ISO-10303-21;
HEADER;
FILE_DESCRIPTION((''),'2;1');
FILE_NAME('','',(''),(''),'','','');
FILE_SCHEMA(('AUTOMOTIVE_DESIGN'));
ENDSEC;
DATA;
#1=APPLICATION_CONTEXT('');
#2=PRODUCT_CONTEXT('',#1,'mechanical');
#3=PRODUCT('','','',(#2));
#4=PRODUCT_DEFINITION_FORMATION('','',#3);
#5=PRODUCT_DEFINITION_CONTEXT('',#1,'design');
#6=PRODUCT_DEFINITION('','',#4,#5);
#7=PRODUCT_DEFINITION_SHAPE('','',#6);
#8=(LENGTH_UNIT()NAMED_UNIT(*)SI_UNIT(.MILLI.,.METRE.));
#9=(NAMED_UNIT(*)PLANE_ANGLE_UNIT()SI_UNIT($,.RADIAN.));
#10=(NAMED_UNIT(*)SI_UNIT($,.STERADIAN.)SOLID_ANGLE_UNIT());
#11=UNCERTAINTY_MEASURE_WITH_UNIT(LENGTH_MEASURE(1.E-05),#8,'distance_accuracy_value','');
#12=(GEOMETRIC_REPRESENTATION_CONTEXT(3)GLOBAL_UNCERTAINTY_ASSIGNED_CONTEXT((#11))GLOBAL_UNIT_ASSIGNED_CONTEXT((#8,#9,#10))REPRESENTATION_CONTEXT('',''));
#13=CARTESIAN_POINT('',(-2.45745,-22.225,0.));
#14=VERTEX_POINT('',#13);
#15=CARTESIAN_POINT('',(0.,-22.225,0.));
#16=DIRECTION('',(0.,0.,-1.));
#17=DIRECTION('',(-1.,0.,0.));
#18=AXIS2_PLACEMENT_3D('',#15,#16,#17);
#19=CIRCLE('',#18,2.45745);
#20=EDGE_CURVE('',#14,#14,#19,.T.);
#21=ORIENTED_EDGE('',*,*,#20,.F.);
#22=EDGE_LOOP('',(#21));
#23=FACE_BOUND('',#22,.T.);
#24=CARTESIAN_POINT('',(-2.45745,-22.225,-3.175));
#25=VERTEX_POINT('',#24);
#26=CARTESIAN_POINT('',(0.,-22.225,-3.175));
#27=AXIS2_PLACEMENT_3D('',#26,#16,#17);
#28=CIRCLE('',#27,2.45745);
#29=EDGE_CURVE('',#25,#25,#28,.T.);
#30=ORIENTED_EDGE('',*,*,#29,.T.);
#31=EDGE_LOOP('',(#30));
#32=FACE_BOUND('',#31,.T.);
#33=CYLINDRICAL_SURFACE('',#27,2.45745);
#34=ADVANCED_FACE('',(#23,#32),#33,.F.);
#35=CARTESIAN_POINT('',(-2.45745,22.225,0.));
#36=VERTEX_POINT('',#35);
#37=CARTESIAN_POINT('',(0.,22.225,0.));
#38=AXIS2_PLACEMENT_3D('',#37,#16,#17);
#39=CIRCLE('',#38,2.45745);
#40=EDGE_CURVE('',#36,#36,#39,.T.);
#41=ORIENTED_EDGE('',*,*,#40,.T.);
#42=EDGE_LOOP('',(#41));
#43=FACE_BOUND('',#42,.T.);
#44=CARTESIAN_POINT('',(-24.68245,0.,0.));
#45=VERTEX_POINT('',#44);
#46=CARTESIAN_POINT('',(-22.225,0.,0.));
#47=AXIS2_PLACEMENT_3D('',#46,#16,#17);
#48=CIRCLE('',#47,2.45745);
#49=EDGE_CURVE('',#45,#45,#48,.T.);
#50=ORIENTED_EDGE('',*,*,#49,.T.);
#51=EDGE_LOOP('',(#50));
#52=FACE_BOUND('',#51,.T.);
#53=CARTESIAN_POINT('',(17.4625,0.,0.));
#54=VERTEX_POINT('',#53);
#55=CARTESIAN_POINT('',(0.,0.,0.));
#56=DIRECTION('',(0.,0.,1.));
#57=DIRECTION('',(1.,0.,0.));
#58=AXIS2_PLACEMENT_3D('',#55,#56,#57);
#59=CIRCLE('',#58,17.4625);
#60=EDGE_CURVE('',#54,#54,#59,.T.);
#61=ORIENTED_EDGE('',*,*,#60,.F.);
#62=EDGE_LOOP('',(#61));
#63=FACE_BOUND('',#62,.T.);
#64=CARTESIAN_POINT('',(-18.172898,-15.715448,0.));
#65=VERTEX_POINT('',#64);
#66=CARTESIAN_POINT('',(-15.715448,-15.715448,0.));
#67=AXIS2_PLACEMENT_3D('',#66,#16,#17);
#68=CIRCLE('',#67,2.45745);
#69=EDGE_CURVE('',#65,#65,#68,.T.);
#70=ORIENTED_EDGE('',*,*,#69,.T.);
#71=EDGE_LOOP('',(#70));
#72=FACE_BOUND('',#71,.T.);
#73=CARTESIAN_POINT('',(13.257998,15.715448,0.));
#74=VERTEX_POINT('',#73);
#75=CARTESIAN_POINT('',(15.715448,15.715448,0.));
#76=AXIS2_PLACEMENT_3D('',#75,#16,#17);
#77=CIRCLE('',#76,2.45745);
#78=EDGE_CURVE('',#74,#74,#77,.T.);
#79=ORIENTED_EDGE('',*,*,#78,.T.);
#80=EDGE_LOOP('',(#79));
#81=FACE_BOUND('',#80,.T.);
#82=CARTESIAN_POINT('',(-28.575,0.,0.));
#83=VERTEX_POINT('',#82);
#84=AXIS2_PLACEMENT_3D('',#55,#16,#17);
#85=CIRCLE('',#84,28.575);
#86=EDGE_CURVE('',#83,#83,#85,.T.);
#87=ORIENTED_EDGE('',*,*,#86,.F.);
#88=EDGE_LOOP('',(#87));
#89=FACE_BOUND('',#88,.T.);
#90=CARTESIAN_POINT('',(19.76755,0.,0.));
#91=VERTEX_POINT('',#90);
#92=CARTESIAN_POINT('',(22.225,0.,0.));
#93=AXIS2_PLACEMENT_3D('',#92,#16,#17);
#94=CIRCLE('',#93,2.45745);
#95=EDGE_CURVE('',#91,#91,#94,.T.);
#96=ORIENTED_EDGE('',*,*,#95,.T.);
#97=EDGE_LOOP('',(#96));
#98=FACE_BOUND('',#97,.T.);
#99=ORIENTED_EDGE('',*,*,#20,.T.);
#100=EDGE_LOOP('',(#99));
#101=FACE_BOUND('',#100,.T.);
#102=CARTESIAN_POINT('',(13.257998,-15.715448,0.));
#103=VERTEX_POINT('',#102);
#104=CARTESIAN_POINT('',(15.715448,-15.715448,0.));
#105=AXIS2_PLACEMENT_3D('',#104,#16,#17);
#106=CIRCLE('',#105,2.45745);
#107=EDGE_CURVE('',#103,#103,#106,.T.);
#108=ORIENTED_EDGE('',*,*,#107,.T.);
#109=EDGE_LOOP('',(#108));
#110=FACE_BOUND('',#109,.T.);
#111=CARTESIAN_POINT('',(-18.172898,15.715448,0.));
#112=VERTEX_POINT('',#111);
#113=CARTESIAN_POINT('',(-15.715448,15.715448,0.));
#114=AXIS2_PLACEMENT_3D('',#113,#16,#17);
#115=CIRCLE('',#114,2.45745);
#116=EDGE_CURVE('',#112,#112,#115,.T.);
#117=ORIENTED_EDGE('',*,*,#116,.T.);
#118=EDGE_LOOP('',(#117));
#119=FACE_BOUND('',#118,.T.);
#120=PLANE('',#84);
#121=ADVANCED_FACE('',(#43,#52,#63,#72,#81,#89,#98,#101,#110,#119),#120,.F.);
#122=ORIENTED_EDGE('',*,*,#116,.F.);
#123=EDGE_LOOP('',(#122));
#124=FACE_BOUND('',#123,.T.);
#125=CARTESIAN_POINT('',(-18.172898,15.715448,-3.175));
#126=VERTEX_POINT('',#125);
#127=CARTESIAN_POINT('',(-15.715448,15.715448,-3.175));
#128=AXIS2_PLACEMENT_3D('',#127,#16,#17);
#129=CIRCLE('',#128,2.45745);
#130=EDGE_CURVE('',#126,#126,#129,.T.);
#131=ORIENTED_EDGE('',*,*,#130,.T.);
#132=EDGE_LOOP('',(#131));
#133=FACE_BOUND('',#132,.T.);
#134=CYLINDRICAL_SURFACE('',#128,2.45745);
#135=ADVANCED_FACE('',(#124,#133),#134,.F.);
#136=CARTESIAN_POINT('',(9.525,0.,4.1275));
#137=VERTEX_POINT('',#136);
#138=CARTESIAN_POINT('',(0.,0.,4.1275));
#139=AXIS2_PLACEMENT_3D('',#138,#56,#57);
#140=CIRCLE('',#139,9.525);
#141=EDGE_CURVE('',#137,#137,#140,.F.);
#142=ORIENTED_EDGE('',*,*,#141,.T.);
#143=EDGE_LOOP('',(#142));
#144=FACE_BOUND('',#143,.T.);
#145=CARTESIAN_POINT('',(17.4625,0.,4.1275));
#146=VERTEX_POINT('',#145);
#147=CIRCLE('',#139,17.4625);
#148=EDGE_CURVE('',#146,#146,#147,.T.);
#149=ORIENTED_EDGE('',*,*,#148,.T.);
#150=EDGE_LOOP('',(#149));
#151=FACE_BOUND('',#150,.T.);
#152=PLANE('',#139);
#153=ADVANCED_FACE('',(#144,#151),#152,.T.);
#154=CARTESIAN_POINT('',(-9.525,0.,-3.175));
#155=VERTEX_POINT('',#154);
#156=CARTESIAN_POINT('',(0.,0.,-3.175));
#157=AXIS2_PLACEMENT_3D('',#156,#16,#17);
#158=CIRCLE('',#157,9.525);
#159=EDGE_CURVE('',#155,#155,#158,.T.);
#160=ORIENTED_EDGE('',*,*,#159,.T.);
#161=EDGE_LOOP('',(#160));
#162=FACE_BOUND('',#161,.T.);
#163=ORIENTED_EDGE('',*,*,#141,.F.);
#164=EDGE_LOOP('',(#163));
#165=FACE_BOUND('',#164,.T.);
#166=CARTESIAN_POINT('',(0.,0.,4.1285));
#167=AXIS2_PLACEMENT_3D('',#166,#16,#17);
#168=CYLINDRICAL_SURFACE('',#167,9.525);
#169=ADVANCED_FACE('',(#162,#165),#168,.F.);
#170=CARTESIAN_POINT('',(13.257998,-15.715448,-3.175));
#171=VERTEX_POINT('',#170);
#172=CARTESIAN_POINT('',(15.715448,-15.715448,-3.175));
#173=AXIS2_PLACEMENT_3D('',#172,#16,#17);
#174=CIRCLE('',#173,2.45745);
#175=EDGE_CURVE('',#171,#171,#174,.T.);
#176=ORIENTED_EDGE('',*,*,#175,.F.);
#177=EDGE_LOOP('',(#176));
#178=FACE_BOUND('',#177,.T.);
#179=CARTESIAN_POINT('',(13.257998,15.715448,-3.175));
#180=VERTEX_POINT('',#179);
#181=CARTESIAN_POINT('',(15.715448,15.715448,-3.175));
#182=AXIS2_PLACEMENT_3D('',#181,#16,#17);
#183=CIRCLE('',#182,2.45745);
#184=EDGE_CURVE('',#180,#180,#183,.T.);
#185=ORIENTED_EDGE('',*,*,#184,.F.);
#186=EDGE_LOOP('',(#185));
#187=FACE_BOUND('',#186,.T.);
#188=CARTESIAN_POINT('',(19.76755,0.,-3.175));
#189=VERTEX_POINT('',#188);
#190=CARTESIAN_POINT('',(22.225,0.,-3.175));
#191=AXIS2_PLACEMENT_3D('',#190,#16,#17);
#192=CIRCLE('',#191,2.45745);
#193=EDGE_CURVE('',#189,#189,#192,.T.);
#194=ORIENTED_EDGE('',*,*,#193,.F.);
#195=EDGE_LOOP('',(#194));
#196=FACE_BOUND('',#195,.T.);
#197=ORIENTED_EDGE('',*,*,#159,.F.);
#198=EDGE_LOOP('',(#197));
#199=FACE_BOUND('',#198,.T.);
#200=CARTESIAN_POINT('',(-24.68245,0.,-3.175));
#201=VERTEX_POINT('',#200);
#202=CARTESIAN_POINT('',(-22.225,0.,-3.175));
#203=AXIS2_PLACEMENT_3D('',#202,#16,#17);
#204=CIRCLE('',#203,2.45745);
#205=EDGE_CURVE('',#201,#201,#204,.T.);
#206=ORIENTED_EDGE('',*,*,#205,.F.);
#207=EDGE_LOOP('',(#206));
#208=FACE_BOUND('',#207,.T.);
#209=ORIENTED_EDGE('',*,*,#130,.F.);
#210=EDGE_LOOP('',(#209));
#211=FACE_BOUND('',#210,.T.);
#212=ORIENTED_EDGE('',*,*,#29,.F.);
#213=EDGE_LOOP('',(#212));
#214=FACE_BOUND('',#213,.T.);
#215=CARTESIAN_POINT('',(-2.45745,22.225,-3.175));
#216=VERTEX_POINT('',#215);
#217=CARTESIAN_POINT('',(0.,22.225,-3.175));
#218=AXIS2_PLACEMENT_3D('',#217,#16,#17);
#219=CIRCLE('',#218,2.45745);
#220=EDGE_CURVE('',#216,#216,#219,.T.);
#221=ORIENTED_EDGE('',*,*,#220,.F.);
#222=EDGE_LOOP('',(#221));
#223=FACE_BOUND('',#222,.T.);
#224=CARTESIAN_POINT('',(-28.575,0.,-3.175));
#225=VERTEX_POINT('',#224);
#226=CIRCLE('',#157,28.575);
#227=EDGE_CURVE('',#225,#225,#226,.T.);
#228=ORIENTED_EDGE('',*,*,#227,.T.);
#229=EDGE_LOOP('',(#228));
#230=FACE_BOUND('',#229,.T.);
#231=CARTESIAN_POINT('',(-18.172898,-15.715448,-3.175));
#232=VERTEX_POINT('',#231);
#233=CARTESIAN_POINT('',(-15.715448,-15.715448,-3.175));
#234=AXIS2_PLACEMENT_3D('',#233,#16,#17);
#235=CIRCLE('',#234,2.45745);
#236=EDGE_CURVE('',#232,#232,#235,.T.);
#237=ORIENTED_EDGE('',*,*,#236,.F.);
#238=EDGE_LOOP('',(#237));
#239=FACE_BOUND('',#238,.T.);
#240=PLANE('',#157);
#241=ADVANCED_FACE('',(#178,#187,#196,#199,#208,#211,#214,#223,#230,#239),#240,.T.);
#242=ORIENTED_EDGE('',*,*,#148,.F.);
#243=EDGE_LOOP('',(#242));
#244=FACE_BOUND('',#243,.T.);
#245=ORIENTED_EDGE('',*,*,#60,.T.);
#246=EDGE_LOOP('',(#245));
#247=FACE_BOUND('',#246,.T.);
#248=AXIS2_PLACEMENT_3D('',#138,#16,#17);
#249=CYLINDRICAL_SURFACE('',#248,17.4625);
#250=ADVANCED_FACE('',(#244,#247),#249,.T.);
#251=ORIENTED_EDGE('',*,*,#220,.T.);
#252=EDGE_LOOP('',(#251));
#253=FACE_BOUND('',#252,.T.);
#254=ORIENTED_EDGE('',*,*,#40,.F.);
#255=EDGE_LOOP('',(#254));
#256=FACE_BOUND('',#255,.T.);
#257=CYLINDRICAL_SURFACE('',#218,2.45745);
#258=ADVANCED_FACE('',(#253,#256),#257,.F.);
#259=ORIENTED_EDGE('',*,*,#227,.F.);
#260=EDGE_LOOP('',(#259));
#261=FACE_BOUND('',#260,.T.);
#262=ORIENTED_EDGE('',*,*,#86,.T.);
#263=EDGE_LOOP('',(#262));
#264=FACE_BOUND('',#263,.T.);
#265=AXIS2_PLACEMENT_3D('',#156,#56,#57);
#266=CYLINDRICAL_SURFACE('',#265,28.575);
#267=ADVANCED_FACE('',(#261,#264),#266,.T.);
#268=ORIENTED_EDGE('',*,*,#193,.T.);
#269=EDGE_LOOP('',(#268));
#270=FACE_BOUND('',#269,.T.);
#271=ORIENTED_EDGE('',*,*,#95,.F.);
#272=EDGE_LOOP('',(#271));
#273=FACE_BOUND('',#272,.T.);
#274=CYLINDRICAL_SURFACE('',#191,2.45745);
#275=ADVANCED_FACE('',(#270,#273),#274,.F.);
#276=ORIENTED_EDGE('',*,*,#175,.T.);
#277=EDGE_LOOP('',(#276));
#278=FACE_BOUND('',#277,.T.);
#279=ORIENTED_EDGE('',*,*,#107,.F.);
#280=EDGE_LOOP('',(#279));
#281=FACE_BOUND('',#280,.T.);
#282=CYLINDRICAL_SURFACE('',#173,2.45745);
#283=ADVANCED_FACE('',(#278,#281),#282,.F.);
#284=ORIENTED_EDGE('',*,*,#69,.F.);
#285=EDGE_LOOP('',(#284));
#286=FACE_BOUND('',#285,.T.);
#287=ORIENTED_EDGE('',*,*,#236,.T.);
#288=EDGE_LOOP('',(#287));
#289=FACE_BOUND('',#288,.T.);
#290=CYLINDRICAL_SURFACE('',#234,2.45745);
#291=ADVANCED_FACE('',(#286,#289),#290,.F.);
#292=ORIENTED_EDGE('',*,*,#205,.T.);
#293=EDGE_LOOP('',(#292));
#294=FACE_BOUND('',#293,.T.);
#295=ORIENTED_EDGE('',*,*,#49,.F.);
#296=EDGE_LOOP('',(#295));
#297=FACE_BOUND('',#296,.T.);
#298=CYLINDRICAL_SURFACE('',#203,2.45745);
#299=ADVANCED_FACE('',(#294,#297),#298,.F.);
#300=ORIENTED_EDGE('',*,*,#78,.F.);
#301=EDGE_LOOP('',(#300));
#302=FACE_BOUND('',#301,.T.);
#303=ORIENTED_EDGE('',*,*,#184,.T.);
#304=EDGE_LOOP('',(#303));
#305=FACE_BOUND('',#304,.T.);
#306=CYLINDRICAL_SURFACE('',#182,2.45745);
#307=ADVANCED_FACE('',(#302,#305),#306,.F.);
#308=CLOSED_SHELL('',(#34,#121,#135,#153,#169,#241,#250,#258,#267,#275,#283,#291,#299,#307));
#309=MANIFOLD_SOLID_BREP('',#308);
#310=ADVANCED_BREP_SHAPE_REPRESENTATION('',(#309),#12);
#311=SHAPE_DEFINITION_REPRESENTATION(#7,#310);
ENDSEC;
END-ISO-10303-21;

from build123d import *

# Parameters (mm, degrees)
SKETCH1_R                    = 17.4625
BOSS_EXTRUDE1_DEPTH          = 4.1275
SKETCH2_R                    = 28.575
BOSS_EXTRUDE2_DEPTH          = 3.175
F_10_0_1935_DIAMETER_HOLE1_D = 4.9149
CIRPATTERN1_COUNT            = 8
CUT_EXTRUDE1_REACH           = 43.066
SKETCH5_R                    = 9.525


with BuildPart() as part:
    # Sketch1 → Boss-Extrude1 (new body)
    with BuildSketch(Plane.XY):
        Circle(SKETCH1_R)
    extrude(amount=BOSS_EXTRUDE1_DEPTH)

    # Sketch2 → Boss-Extrude2 (add)
    with BuildSketch(Plane(origin=(0, 0, 0), x_dir=(-1, 0, 0), z_dir=(0, 0, -1))):
        Circle(SKETCH2_R)
    extrude(amount=BOSS_EXTRUDE2_DEPTH)

    # #10 (0.1935) Diameter Hole1 (through all)
    with Locations(Plane(origin=(0, 0, -3.175), x_dir=(-1, 0, 0), z_dir=(0, 0, -1))):
        with Locations((0, 22.225)):
            f_10_0_1935_diameter_hole1 = Hole(F_10_0_1935_DIAMETER_HOLE1_D / 2)

    # CirPattern1: #10 (0.1935) Diameter Hole1 ×8 about axis
    cirpattern1_axis = Axis((0, 0, 0), (0, 0, 1))
    for i in range(1, CIRPATTERN1_COUNT):
        add(f_10_0_1935_diameter_hole1.rotate(cirpattern1_axis, i * 360 / CIRPATTERN1_COUNT), mode=Mode.SUBTRACT)

    # Sketch5 → Cut-Extrude1 (cut, up to next)
    with BuildSketch(Plane(origin=(0, 0, -3.175), x_dir=(-1, 0, 0), z_dir=(0, 0, -1)), mode=Mode.PRIVATE) as cut_extrude1_sk1:
        Circle(SKETCH5_R)
    cut_extrude1_tool1 = extrude(cut_extrude1_sk1.sketch, amount=-CUT_EXTRUDE1_REACH, mode=Mode.PRIVATE) & part.part
    add(cut_extrude1_tool1.solids().sort_by_distance((0, 0, -3.175))[0], mode=Mode.SUBTRACT)


solid = part.part
